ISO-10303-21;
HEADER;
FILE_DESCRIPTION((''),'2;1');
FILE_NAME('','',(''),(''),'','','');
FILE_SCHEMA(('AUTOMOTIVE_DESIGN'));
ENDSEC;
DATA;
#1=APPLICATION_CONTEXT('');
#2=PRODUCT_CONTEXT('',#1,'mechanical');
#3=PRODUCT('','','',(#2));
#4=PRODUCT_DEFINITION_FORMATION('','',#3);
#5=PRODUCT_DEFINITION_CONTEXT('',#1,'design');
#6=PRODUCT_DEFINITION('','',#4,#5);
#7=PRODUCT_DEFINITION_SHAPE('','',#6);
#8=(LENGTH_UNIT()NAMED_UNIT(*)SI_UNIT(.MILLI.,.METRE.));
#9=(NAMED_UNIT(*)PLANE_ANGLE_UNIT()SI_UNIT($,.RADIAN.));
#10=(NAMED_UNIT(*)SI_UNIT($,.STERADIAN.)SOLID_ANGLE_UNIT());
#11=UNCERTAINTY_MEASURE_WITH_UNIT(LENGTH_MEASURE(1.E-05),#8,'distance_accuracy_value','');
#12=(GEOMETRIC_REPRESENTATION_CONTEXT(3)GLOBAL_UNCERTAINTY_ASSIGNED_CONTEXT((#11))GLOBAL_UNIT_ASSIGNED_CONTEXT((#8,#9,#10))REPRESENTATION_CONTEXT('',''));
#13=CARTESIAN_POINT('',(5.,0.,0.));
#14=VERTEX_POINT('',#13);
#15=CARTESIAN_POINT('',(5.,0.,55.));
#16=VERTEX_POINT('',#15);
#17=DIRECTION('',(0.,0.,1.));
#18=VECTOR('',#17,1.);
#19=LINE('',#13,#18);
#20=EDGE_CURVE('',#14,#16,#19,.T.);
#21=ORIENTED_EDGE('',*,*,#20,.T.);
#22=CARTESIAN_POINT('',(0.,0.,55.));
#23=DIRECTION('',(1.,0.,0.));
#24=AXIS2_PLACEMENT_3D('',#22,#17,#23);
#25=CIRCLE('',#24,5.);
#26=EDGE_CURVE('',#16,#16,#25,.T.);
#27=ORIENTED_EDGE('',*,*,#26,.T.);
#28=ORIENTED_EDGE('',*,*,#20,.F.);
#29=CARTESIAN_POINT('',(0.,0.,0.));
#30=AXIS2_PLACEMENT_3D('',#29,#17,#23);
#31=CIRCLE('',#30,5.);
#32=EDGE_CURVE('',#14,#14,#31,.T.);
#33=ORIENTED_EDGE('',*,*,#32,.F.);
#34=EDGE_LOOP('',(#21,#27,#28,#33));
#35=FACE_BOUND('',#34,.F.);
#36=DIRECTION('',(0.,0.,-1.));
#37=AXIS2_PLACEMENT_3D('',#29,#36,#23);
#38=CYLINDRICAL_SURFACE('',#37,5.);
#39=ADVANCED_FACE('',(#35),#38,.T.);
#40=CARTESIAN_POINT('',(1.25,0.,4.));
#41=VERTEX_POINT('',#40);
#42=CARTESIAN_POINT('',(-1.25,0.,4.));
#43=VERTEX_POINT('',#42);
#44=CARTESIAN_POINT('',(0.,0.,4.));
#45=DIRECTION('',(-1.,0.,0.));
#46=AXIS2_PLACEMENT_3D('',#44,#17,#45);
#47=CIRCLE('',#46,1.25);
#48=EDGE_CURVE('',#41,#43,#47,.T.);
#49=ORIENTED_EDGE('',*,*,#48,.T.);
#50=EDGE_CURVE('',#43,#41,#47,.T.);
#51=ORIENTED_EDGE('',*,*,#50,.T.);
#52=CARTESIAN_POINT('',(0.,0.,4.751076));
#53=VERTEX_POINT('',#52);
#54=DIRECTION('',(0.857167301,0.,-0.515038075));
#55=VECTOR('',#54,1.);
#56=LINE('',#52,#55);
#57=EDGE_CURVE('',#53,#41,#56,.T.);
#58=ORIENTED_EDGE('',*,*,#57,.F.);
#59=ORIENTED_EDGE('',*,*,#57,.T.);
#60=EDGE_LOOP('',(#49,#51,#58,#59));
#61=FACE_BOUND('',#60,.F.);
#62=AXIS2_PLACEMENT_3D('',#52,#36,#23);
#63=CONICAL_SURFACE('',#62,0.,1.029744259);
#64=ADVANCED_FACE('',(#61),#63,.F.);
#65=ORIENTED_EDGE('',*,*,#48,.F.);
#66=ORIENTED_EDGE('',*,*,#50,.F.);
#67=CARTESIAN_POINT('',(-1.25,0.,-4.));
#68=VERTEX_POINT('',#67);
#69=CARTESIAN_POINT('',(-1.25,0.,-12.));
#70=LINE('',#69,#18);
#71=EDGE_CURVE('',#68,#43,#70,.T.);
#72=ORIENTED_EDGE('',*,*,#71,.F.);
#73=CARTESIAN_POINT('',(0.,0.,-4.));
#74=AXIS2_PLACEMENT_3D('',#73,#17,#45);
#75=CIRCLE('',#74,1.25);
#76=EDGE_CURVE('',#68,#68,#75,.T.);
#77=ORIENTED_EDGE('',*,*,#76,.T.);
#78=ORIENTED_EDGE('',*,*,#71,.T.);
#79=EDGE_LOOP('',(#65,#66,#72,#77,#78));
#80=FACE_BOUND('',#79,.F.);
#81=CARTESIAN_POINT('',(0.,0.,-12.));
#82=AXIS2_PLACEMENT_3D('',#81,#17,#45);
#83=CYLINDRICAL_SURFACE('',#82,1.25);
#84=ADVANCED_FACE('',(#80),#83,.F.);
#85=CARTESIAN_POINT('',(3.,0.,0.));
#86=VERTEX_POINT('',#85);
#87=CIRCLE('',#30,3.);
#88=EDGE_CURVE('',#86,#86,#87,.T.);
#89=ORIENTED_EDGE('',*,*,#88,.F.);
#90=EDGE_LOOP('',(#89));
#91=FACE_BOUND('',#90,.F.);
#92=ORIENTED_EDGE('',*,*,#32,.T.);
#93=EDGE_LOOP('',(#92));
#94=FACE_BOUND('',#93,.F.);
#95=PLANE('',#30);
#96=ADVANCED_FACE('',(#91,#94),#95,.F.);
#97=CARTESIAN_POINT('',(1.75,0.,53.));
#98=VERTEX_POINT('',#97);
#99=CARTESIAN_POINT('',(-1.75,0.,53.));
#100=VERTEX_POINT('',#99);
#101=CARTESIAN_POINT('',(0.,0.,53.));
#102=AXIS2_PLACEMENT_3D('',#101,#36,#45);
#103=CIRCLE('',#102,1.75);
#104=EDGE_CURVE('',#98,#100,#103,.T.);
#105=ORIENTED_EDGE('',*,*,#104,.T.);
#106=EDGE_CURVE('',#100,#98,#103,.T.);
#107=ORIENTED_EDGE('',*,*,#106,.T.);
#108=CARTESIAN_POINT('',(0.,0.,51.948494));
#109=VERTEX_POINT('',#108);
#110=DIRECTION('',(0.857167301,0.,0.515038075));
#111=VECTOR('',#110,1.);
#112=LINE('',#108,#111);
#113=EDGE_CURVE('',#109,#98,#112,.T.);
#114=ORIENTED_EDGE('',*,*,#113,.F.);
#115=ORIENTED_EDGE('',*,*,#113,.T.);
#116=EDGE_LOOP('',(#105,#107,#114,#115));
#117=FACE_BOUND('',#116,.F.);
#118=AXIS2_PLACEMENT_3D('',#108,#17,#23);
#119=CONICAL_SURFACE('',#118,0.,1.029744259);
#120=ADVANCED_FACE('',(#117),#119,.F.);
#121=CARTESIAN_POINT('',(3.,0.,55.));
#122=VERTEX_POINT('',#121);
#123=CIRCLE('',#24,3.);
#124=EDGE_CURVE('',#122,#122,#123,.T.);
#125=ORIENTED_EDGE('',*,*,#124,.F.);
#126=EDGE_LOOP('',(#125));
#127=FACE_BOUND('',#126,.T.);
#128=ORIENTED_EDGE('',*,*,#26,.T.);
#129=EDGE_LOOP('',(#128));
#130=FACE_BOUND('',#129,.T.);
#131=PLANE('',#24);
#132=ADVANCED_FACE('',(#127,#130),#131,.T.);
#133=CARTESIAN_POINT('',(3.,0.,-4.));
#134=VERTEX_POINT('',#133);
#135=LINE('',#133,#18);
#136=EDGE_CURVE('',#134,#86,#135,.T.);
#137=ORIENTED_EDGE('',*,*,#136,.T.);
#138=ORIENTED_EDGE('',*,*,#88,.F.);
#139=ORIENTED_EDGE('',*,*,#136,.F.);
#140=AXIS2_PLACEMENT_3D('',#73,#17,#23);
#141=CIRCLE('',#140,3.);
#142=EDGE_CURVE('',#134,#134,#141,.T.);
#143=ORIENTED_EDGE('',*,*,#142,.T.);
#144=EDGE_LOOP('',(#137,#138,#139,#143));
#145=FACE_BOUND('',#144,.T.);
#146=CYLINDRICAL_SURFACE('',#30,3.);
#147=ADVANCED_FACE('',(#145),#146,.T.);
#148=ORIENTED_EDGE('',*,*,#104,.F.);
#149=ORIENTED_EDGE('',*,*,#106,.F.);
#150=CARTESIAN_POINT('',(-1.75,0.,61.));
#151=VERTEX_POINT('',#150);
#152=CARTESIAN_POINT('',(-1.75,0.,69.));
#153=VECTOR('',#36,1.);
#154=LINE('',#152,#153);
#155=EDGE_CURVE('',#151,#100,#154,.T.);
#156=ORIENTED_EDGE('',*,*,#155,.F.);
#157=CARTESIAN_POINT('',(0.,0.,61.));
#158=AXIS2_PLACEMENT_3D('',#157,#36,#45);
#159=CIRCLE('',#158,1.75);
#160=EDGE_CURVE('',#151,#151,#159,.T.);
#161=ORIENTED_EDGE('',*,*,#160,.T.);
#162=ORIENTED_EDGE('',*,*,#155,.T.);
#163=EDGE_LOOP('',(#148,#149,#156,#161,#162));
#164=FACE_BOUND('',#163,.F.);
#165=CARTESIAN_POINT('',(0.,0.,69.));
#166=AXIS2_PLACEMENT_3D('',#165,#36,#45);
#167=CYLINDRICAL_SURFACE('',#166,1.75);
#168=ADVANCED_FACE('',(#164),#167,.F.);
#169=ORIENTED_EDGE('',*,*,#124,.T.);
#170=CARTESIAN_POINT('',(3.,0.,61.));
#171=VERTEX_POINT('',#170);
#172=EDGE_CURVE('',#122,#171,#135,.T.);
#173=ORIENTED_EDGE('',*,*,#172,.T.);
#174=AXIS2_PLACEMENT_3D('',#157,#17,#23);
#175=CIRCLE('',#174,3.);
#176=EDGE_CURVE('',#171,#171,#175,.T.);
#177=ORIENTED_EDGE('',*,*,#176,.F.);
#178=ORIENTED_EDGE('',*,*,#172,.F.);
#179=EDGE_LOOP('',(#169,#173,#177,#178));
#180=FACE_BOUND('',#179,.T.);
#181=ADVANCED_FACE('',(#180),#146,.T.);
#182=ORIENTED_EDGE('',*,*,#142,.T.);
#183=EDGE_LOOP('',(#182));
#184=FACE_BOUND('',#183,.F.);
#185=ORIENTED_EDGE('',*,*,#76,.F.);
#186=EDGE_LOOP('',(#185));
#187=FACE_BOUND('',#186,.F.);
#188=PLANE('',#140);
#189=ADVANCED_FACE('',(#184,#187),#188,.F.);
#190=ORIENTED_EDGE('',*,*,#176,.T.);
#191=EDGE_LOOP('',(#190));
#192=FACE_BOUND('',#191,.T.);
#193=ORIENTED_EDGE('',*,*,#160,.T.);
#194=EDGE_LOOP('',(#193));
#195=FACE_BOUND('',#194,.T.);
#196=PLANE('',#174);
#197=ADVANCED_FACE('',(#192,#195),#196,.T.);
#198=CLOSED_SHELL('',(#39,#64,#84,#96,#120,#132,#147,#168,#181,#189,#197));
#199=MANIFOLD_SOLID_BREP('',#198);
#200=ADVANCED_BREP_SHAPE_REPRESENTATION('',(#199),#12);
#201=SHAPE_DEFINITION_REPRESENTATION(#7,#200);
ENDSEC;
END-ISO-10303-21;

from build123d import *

# Parameters (mm, degrees)
F0_R          = 3
F1_DEPTH      = 61
F1_DEPTH_BACK = 4
F0_R_2        = 5
F2_DEPTH      = 55
F5_D          = 2.5
F5_DEPTH      = 8
F5_TIP        = 0.7510757738
F6_D          = 3.5
F6_DEPTH      = 8
F6_TIP        = 1.0515060833


with BuildPart() as f1:
    # F0 (on Top) → F1 (new body, two sides)
    with BuildSketch(Plane.XY) as f1_sk:
        Circle(F0_R)
    extrude(amount=F1_DEPTH)
    extrude(f1_sk.sketch, amount=-F1_DEPTH_BACK)

    # F0 (on Top) → F2 (join)
    with BuildSketch(Plane.XY):
        Circle(F0_R_2)
        Circle(F0_R, mode=Mode.SUBTRACT)
    extrude(amount=F2_DEPTH)

    # F5
    with Locations(Plane(origin=(0, 0, -4), x_dir=(1, 0, 0), z_dir=(0, 0, -1))):
        with Locations((0, 0)):
            Hole(F5_D / 2, depth=F5_DEPTH)
            with Locations((0, 0, -(F5_DEPTH + F5_TIP / 2))):  # 118° drill point
                Cone(0, F5_D / 2, F5_TIP, mode=Mode.SUBTRACT)

    # F6
    with Locations(Plane.XY.offset(61)):
        with Locations((0, 0)):
            Hole(F6_D / 2, depth=F6_DEPTH)
            with Locations((0, 0, -(F6_DEPTH + F6_TIP / 2))):  # 118° drill point
                Cone(0, F6_D / 2, F6_TIP, mode=Mode.SUBTRACT)


solid = f1.part
